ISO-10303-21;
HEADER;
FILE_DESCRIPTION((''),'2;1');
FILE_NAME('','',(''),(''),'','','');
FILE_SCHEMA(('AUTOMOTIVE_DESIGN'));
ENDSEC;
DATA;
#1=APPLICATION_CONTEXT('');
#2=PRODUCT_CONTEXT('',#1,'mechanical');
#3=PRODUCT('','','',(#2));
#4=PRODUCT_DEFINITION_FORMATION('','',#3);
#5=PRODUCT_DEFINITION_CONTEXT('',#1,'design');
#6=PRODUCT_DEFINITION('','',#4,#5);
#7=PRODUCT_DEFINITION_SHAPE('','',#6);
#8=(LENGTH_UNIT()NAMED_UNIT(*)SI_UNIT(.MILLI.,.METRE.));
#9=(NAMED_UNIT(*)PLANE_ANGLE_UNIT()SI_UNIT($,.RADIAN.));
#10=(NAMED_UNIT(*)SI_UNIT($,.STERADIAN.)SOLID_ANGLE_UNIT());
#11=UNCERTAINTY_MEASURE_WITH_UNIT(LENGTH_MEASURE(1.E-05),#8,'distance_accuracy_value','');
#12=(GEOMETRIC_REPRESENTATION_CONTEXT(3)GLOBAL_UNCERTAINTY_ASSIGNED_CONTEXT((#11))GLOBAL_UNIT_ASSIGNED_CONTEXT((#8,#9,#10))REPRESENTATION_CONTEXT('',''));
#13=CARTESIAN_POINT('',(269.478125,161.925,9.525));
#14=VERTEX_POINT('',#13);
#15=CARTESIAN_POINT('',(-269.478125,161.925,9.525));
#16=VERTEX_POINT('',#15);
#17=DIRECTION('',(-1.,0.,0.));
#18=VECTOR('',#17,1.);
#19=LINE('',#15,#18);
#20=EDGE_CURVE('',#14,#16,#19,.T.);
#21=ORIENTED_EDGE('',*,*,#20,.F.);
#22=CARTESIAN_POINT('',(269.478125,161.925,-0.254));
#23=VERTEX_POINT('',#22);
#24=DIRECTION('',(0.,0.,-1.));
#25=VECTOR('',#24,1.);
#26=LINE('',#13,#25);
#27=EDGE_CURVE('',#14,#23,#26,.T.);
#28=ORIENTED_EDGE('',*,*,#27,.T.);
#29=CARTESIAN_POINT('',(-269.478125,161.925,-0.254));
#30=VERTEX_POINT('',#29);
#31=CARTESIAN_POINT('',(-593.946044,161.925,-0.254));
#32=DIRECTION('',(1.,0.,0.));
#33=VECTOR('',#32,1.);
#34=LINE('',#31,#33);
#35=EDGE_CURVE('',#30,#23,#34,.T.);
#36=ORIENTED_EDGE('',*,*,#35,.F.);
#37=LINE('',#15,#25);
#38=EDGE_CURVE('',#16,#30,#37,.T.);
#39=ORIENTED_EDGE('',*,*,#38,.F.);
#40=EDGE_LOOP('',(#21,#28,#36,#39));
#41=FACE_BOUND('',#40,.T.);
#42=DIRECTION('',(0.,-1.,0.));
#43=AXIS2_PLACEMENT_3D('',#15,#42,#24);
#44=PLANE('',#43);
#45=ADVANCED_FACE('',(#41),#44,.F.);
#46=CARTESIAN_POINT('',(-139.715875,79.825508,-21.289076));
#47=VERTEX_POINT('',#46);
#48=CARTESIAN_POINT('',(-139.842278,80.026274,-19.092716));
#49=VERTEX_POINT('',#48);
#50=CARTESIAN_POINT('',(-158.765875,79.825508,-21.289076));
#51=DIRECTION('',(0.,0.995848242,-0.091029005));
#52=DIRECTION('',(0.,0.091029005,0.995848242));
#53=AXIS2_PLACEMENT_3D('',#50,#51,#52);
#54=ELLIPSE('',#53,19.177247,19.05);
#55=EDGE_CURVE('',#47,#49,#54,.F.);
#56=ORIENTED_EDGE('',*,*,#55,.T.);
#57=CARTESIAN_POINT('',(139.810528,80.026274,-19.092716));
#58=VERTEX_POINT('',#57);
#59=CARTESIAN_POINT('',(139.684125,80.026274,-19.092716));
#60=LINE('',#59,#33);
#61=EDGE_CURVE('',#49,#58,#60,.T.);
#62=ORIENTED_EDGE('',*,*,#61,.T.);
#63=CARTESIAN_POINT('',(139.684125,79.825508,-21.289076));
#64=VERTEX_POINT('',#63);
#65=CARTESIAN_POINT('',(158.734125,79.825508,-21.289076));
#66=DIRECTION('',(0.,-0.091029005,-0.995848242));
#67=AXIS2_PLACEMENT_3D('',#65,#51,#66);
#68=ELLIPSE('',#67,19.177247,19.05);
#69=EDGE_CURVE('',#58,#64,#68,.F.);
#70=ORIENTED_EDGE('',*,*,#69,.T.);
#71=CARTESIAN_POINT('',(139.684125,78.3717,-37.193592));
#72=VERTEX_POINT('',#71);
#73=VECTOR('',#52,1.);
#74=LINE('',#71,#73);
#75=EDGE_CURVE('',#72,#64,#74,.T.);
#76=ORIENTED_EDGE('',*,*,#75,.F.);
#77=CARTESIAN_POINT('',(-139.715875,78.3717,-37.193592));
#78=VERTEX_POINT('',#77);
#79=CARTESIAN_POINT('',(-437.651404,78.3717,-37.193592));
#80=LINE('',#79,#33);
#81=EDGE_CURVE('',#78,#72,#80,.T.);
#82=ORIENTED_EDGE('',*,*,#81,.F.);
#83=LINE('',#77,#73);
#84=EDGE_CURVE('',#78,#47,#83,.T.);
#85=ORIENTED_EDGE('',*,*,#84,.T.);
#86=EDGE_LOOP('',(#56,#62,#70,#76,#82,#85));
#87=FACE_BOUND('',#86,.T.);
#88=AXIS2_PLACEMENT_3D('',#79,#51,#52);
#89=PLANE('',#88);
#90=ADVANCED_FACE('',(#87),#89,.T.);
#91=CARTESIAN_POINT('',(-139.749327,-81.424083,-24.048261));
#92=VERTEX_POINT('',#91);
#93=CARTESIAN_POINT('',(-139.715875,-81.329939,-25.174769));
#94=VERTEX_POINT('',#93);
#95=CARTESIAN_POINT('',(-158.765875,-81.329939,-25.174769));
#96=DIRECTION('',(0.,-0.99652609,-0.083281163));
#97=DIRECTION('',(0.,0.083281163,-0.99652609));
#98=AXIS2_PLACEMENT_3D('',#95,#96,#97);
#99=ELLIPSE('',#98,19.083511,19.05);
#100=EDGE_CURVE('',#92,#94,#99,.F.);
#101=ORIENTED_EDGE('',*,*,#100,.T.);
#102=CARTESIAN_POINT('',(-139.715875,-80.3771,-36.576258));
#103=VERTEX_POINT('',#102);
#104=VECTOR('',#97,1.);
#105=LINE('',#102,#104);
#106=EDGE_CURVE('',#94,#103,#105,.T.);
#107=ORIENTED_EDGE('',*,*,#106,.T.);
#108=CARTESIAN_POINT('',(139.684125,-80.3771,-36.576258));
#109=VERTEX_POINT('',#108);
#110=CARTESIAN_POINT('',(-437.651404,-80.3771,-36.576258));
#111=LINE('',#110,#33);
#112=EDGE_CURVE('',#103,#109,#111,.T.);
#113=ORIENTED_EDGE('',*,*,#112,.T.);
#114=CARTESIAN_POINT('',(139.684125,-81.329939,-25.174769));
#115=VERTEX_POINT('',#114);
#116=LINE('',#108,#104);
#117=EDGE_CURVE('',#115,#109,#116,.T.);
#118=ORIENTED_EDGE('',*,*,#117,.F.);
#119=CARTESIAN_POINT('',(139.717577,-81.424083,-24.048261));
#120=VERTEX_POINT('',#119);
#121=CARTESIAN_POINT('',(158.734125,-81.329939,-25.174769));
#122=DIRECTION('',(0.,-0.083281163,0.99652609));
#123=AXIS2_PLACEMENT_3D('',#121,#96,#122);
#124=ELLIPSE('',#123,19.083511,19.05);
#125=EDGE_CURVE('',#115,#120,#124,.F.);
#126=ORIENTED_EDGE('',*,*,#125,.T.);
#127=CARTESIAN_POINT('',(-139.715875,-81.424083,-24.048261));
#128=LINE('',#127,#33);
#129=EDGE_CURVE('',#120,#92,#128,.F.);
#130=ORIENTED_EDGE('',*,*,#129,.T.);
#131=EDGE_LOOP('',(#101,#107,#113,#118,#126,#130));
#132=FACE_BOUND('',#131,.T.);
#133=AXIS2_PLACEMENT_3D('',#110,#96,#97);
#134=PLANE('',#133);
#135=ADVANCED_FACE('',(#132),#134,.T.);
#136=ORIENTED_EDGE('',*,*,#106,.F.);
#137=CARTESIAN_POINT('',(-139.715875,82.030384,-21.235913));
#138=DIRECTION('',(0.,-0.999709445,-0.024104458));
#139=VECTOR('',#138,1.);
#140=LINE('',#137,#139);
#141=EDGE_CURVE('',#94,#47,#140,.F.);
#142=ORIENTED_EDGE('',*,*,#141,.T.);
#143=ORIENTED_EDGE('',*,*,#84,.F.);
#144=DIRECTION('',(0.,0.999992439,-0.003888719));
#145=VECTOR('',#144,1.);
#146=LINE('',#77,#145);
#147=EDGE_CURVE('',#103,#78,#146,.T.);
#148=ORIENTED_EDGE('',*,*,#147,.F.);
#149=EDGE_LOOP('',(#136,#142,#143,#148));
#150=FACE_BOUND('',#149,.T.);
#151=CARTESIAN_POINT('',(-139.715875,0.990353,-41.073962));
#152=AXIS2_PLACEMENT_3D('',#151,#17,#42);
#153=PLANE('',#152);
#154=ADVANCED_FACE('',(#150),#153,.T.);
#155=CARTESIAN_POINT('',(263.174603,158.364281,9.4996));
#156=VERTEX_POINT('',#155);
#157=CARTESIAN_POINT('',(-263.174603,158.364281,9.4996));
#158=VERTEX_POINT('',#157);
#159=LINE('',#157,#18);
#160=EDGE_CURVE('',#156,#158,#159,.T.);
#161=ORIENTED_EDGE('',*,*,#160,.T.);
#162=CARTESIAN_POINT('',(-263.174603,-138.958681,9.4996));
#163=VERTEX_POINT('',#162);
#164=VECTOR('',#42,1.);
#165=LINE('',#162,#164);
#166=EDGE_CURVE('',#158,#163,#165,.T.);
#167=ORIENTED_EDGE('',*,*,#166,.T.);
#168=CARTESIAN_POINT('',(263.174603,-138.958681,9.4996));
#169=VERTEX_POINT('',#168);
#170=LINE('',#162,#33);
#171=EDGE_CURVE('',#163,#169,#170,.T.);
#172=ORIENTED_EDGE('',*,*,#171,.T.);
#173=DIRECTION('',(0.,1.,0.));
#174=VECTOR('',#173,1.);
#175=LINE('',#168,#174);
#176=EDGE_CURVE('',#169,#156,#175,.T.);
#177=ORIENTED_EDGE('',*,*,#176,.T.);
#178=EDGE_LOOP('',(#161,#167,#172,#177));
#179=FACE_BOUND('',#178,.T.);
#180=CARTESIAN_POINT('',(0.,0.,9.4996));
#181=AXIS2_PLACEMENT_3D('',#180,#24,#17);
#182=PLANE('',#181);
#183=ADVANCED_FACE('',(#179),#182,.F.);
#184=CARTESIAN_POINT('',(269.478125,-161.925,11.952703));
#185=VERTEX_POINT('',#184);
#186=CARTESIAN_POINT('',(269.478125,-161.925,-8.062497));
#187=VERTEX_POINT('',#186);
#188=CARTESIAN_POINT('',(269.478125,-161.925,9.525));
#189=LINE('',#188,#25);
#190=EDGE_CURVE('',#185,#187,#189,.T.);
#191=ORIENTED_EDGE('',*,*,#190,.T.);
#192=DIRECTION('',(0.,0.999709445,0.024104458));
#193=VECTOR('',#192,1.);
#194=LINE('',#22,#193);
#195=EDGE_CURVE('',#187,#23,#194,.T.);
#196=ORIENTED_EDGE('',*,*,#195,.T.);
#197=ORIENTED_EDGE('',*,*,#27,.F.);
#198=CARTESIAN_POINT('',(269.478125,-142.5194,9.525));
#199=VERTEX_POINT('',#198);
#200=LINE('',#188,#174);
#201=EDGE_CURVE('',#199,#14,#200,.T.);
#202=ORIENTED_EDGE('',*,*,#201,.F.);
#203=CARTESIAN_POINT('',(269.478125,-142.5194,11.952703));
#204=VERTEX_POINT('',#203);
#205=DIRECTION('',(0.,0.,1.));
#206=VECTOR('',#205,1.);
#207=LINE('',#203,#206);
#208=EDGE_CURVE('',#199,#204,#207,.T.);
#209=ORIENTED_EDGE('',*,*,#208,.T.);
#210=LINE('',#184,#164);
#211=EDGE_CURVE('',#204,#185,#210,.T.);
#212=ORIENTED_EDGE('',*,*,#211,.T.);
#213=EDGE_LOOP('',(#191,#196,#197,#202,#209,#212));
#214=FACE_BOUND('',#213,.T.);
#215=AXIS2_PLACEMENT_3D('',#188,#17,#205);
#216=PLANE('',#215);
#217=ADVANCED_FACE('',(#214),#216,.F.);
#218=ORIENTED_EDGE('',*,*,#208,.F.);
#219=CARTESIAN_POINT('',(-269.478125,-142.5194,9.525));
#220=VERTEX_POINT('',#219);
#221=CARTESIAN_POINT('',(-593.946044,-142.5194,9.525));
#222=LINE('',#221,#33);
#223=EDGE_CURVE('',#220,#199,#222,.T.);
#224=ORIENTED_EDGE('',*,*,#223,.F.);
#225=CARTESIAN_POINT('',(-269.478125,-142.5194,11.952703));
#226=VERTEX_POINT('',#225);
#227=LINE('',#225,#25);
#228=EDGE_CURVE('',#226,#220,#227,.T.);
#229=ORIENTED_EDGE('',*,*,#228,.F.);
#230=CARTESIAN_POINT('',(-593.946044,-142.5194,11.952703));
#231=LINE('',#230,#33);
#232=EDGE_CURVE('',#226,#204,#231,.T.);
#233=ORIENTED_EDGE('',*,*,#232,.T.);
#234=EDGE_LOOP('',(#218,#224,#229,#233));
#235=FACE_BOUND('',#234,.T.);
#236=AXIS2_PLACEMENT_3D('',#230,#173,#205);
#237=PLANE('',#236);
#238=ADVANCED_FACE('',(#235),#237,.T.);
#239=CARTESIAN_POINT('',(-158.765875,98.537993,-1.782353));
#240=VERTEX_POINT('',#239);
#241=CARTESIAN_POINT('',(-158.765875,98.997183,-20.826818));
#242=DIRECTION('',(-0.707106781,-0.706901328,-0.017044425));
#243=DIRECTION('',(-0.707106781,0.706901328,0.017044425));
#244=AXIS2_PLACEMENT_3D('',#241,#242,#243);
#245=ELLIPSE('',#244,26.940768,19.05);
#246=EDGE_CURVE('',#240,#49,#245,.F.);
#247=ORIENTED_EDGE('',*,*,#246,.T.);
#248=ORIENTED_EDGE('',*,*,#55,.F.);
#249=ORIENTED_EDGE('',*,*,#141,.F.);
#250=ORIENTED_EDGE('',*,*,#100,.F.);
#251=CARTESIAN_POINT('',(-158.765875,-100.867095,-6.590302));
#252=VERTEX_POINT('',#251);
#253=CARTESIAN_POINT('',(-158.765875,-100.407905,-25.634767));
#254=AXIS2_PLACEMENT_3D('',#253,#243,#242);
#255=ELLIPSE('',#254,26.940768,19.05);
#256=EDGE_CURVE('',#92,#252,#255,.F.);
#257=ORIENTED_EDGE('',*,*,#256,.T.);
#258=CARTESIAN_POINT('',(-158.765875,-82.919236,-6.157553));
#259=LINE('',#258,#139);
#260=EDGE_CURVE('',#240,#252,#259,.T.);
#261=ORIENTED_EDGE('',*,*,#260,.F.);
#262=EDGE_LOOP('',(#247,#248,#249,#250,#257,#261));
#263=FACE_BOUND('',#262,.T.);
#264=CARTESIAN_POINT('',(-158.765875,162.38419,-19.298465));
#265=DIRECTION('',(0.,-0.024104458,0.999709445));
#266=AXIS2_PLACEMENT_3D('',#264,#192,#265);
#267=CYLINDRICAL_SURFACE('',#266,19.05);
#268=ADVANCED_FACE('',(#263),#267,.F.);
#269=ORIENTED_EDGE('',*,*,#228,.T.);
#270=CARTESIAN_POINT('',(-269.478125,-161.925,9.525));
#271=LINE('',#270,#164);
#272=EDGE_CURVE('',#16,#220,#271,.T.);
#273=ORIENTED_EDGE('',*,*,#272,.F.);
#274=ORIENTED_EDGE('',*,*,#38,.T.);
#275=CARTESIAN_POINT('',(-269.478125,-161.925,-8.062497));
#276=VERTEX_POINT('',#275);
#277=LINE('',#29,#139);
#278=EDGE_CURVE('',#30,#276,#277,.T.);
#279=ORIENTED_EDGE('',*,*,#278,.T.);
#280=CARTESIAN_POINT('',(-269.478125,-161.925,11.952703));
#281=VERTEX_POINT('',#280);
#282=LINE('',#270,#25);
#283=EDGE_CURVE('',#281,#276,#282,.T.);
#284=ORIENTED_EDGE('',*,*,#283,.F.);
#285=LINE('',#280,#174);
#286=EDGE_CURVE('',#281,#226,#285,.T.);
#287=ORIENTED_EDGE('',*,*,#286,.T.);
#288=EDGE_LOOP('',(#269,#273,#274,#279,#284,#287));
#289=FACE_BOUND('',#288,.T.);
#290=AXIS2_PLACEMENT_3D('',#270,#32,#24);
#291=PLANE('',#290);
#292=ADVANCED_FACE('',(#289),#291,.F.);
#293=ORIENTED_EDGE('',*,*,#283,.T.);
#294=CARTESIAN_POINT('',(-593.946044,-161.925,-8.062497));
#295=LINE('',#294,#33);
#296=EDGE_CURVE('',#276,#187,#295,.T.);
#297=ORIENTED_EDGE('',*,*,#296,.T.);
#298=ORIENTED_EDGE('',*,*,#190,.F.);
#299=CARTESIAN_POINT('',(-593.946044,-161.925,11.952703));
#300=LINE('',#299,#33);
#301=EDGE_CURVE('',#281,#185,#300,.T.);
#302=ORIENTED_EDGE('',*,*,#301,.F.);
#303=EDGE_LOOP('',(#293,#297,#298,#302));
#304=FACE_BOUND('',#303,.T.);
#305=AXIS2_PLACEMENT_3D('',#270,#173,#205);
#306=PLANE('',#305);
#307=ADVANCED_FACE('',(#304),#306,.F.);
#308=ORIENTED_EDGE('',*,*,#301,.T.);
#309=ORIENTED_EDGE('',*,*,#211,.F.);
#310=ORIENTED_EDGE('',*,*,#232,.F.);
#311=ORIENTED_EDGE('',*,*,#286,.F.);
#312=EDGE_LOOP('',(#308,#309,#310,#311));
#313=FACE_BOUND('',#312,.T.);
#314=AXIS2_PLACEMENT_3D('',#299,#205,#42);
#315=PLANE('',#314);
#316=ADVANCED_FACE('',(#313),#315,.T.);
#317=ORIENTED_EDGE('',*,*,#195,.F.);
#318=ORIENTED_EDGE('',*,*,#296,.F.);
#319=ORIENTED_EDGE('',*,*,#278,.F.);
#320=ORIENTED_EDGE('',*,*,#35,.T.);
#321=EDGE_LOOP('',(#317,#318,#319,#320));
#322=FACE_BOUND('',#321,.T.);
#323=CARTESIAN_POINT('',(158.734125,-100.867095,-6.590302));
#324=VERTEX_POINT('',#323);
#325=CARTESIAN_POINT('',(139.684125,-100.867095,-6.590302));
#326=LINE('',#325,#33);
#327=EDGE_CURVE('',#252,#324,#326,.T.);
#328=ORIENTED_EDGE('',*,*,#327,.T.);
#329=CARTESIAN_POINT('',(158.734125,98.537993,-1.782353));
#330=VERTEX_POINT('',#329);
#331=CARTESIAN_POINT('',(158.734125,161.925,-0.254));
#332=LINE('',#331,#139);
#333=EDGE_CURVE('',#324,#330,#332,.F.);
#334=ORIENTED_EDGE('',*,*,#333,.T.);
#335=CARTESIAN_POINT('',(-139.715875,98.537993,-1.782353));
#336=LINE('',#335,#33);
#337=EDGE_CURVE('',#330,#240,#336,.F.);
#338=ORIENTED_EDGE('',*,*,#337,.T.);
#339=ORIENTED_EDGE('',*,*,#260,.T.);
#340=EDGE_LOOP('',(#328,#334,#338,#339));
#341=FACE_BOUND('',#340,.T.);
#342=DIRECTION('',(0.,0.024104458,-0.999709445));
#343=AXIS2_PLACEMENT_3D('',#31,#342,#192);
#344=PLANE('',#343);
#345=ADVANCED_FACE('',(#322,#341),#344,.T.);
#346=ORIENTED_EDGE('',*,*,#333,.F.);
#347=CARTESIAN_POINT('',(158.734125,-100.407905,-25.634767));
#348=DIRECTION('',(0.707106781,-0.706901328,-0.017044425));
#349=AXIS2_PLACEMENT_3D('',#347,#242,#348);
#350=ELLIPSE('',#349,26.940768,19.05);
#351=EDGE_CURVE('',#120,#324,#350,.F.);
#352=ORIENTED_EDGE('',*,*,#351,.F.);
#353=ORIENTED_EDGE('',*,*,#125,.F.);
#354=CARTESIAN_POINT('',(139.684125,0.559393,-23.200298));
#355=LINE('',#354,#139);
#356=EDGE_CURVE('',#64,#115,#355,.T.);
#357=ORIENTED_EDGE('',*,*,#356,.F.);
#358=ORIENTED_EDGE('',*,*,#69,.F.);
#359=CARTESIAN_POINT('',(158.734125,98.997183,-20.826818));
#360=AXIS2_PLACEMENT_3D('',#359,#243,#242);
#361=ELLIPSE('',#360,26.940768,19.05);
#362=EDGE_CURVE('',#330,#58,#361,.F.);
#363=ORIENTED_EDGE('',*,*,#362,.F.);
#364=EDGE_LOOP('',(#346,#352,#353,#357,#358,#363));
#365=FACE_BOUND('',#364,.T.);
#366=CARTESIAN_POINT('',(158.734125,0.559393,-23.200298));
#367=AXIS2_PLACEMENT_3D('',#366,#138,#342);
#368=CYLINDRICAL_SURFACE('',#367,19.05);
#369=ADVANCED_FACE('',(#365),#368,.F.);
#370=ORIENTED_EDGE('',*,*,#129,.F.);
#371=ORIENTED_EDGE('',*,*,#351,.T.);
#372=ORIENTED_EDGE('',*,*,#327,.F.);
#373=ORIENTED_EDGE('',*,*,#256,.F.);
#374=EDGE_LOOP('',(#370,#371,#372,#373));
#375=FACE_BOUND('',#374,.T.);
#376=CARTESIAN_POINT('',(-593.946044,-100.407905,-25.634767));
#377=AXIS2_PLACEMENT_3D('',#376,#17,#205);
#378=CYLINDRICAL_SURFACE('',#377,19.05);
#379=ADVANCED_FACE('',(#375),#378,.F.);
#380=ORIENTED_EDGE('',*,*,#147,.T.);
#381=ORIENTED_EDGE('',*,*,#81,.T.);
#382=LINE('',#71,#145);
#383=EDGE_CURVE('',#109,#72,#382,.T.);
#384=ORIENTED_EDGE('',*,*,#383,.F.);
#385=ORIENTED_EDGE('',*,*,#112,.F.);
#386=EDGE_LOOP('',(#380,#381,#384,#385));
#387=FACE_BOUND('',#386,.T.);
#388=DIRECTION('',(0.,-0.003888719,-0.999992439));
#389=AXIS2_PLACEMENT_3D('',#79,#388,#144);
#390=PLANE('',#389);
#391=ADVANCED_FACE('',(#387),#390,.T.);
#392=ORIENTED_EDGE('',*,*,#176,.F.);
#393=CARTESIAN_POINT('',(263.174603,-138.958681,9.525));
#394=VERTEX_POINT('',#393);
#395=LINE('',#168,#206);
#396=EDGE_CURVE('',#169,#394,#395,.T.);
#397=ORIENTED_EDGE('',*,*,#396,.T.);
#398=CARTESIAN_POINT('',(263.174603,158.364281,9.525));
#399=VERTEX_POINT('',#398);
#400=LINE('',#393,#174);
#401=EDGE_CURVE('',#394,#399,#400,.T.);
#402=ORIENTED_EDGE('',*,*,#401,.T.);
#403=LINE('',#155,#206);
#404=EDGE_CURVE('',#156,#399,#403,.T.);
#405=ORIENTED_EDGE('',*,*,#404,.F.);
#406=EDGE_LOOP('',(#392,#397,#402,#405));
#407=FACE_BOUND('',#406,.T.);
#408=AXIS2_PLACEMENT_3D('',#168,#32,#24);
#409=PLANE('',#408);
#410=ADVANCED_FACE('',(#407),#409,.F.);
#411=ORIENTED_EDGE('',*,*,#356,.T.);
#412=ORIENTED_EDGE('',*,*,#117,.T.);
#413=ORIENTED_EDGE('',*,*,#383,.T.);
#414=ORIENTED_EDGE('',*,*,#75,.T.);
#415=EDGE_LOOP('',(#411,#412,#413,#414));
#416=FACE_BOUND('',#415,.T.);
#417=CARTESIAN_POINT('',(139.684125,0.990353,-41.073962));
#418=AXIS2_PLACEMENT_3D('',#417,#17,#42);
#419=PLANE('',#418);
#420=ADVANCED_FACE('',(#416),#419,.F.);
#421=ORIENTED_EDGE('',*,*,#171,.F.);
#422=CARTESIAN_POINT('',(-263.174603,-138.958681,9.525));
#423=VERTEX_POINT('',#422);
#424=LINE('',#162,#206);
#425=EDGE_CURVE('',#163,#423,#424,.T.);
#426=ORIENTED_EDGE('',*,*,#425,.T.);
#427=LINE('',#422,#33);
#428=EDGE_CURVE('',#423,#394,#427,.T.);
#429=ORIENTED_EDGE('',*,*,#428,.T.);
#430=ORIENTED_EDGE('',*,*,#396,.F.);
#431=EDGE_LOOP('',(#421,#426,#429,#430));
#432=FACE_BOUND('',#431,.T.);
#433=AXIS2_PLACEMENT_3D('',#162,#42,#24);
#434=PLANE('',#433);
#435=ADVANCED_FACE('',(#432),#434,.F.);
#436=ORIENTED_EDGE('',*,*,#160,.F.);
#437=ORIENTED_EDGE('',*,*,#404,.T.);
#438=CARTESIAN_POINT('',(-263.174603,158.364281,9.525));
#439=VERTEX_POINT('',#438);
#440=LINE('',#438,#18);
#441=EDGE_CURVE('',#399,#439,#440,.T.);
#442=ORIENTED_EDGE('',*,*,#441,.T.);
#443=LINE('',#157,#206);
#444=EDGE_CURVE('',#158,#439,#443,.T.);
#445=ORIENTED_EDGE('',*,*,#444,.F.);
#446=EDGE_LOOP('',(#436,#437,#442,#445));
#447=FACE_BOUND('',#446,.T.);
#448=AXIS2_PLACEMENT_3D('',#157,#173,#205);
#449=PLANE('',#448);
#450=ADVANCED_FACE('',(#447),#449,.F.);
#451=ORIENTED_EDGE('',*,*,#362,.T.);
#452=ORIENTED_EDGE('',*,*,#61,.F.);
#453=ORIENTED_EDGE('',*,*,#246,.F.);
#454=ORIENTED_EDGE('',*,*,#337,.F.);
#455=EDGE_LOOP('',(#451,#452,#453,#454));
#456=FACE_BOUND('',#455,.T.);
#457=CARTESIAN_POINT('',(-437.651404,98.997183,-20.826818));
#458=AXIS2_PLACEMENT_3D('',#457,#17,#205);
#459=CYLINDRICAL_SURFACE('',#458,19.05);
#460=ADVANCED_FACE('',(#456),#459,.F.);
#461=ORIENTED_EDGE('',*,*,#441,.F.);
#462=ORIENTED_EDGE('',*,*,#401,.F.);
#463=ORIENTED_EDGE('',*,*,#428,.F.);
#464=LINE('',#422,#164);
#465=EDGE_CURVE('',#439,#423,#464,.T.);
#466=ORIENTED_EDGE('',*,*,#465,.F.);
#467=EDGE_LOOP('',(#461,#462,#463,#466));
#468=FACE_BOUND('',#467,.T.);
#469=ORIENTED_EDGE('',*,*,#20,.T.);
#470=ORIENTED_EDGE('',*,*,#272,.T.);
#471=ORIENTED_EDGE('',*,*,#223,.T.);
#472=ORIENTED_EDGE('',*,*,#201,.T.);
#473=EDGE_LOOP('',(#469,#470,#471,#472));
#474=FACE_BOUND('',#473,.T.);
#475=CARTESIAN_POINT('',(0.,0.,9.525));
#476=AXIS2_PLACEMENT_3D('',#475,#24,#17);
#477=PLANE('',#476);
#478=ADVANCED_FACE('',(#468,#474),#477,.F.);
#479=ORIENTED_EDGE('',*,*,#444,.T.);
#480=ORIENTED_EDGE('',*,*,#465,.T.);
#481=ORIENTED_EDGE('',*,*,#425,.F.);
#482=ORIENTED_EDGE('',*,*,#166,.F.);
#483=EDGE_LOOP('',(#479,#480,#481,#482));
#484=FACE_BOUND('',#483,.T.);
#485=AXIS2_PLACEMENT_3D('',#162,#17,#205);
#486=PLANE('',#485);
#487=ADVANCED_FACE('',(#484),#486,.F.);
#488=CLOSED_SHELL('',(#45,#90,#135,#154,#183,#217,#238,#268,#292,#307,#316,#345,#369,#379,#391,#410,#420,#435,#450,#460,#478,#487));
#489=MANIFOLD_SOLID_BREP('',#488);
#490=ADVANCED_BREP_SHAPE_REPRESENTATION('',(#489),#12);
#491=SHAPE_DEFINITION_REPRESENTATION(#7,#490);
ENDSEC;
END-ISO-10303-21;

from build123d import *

# Parameters (mm, degrees)
SKETCH1_W           = 538.9562500000001
SKETCH1_H           = 323.84999999999997
BOSS_EXTRUDE1_DEPTH = 9.525
BOSS_EXTRUDE2_DEPTH = 538.95625
BOSS_EXTRUDE3_DEPTH = 538.95625
CUT_EXTRUDE1_DEPTH  = 317.16786663403565
FILLET1_R           = 19.05
SKETCH6_W           = 526.3492063472065
SKETCH6_H           = 297.32296140336337
CUT_EXTRUDE2_DEPTH  = 0.0254


with BuildPart() as part:
    # Sketch1 → Boss-Extrude1 (new body)
    with BuildSketch(Plane.XY):
        Rectangle(SKETCH1_W, SKETCH1_H)
    extrude(amount=BOSS_EXTRUDE1_DEPTH)

    # Sketch3 → Boss-Extrude2 (add)
    with BuildSketch(Plane(origin=(269.47812500000003, 0, 0), x_dir=(0, 0, -1), z_dir=(1, 0, 0))):
        Polygon((-9.525, 161.92499999999998), (0.253999999999999, 161.92499999999998), (8.062497413649258, -161.92499999999998), (0, -161.92499999999998), (-9.525, -161.92499999999998), (-11.952702586350743, -161.92499999999998), (-11.95270258635074, -142.5194), (-9.525, -142.5194), align=None)
    extrude(amount=-BOSS_EXTRUDE2_DEPTH)

    # Sketch4 → Boss-Extrude3 (add)
    with BuildSketch(Plane(origin=(269.47812500000003, 0, 0), x_dir=(0, 0, -1), z_dir=(1, 0, 0))):
        Polygon((37.193592332721494, 78.37169999999999), (36.576258201765725, -80.3770996759999), (6.157552828059534, -82.9192359761992), (2.191447852529644, 81.57119390858017), align=None)
    extrude(amount=-BOSS_EXTRUDE3_DEPTH)

    # Sketch5 → Cut-Extrude1 (cut, through all)
    with BuildSketch(Plane(origin=(0, 0.10020320699075866, -4.1558326608693195), x_dir=(-1, 0, 0), z_dir=(0, 0.024104457676112176, -0.9997094453490677))):
        Polygon((-139.684125, -83.04356787806702), (-139.68412500000005, 81.4946693567972), (-269.47812500000003, 81.49466935679719), (-269.47812500000003, -83.04356787806695), align=None)
        Polygon((269.47812500000003, 81.4946693567972), (139.71587499999993, 81.49466935679719), (139.71587499999995, -83.04356787806701), (269.47812500000003, -83.04356787806702), align=None)
    extrude(amount=CUT_EXTRUDE1_DEPTH, mode=Mode.SUBTRACT)

    # Fillet1
    fillet1_edges = [part.edges().sort_by_distance(p)[0] for p in [
        (-0.01587499999999409, -82.9192359761992, -6.157552828059534),
        (-0.01587499999993724, 81.57119390858017, -2.191447852529644),
        (139.68412500000002, -0.6740210338095626, -4.17450034029459),
        (-139.71587499999993, -0.6740210338095626, -4.17450034029459),
    ]]
    fillet(fillet1_edges, radius=FILLET1_R)

    # Sketch6 → Cut-Extrude2 (cut)
    with BuildSketch(Plane.XY.offset(9.525)):
        with Locations((2.842e-14, 9.70280000000001)):
            Rectangle(SKETCH6_W, SKETCH6_H)
    extrude(amount=-CUT_EXTRUDE2_DEPTH, mode=Mode.SUBTRACT)


solid = part.part
